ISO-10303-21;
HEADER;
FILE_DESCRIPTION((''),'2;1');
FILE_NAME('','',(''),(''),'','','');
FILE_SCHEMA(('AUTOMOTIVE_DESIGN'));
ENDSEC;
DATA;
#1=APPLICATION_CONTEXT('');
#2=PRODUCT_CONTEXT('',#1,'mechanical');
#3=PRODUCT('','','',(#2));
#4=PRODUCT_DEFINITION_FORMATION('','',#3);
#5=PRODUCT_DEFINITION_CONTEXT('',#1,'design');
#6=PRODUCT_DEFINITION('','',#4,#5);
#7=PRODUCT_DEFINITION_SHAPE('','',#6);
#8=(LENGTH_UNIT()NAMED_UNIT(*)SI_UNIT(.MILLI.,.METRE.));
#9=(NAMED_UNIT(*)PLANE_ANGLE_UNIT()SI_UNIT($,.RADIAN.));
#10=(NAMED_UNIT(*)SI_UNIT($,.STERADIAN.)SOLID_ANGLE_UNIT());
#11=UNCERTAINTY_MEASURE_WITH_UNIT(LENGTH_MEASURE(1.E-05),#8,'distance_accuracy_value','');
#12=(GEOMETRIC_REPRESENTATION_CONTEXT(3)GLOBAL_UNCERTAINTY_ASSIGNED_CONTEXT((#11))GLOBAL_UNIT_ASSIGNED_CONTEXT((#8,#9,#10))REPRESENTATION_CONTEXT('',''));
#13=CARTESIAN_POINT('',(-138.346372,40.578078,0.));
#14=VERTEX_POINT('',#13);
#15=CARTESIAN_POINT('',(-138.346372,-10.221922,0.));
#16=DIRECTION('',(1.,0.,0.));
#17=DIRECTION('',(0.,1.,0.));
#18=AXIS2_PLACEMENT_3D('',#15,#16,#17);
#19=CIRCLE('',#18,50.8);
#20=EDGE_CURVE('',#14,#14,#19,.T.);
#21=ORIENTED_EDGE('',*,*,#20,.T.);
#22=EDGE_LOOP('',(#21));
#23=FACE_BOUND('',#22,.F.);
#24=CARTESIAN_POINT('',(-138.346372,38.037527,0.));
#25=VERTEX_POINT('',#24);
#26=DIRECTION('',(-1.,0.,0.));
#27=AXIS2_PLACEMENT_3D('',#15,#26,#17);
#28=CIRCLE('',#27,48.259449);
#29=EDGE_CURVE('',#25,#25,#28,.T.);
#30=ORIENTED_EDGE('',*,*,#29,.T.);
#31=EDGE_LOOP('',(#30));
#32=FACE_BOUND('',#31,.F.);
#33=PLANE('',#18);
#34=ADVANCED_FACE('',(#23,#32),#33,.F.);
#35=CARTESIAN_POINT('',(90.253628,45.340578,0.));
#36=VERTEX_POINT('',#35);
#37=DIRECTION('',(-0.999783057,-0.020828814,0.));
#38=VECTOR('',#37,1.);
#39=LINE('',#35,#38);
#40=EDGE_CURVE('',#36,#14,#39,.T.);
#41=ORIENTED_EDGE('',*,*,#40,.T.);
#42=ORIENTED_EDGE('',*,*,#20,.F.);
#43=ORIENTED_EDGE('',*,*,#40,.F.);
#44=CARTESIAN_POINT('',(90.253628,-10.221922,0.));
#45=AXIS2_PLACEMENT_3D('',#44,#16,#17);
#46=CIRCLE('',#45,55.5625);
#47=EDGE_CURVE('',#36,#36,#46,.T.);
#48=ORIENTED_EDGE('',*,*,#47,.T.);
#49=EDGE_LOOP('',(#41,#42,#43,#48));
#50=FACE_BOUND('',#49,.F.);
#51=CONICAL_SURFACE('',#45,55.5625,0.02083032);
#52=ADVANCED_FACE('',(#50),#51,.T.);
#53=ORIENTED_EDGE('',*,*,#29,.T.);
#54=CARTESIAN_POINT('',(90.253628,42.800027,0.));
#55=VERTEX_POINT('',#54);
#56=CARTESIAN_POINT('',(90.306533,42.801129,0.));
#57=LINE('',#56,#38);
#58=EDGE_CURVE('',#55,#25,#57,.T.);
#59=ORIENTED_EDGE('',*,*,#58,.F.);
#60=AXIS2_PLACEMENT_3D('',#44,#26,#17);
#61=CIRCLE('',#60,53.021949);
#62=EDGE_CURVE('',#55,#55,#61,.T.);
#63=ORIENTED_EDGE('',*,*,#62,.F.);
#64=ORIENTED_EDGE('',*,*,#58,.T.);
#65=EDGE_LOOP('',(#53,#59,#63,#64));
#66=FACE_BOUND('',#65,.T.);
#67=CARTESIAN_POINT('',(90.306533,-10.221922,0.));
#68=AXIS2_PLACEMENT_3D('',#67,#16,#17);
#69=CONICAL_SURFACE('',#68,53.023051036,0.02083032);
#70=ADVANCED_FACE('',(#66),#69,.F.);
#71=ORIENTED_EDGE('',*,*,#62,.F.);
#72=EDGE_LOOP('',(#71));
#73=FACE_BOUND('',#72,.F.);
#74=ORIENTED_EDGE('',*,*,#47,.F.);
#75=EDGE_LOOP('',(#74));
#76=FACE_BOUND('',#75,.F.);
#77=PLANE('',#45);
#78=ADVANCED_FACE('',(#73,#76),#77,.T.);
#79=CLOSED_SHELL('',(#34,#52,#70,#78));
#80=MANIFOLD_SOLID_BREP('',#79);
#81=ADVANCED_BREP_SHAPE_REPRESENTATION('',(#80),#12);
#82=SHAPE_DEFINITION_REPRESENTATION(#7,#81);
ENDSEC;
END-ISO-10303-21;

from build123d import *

# Parameters (mm, degrees)
F2_T = -2.54


with BuildPart() as f1:
    # F0 (on Top) → F1 (revolve)
    with BuildSketch(Plane.XY):
        Polygon((-138.346372, 40.578078), (-138.346372, -10.221922), (90.253628, -10.221922), (90.253628, 45.340578), align=None)
    revolve(axis=Axis((-24.046372, -10.221922, 0), (1, 0, 0)))

    # F2
    f2_openings = [f1.faces().sort_by_distance(p)[0] for p in [
        (90.253628, -10.221922, 0),
        (-138.346372, -10.221922, 0),
    ]]
    offset(amount=F2_T, openings=f2_openings)


solid = f1.part
